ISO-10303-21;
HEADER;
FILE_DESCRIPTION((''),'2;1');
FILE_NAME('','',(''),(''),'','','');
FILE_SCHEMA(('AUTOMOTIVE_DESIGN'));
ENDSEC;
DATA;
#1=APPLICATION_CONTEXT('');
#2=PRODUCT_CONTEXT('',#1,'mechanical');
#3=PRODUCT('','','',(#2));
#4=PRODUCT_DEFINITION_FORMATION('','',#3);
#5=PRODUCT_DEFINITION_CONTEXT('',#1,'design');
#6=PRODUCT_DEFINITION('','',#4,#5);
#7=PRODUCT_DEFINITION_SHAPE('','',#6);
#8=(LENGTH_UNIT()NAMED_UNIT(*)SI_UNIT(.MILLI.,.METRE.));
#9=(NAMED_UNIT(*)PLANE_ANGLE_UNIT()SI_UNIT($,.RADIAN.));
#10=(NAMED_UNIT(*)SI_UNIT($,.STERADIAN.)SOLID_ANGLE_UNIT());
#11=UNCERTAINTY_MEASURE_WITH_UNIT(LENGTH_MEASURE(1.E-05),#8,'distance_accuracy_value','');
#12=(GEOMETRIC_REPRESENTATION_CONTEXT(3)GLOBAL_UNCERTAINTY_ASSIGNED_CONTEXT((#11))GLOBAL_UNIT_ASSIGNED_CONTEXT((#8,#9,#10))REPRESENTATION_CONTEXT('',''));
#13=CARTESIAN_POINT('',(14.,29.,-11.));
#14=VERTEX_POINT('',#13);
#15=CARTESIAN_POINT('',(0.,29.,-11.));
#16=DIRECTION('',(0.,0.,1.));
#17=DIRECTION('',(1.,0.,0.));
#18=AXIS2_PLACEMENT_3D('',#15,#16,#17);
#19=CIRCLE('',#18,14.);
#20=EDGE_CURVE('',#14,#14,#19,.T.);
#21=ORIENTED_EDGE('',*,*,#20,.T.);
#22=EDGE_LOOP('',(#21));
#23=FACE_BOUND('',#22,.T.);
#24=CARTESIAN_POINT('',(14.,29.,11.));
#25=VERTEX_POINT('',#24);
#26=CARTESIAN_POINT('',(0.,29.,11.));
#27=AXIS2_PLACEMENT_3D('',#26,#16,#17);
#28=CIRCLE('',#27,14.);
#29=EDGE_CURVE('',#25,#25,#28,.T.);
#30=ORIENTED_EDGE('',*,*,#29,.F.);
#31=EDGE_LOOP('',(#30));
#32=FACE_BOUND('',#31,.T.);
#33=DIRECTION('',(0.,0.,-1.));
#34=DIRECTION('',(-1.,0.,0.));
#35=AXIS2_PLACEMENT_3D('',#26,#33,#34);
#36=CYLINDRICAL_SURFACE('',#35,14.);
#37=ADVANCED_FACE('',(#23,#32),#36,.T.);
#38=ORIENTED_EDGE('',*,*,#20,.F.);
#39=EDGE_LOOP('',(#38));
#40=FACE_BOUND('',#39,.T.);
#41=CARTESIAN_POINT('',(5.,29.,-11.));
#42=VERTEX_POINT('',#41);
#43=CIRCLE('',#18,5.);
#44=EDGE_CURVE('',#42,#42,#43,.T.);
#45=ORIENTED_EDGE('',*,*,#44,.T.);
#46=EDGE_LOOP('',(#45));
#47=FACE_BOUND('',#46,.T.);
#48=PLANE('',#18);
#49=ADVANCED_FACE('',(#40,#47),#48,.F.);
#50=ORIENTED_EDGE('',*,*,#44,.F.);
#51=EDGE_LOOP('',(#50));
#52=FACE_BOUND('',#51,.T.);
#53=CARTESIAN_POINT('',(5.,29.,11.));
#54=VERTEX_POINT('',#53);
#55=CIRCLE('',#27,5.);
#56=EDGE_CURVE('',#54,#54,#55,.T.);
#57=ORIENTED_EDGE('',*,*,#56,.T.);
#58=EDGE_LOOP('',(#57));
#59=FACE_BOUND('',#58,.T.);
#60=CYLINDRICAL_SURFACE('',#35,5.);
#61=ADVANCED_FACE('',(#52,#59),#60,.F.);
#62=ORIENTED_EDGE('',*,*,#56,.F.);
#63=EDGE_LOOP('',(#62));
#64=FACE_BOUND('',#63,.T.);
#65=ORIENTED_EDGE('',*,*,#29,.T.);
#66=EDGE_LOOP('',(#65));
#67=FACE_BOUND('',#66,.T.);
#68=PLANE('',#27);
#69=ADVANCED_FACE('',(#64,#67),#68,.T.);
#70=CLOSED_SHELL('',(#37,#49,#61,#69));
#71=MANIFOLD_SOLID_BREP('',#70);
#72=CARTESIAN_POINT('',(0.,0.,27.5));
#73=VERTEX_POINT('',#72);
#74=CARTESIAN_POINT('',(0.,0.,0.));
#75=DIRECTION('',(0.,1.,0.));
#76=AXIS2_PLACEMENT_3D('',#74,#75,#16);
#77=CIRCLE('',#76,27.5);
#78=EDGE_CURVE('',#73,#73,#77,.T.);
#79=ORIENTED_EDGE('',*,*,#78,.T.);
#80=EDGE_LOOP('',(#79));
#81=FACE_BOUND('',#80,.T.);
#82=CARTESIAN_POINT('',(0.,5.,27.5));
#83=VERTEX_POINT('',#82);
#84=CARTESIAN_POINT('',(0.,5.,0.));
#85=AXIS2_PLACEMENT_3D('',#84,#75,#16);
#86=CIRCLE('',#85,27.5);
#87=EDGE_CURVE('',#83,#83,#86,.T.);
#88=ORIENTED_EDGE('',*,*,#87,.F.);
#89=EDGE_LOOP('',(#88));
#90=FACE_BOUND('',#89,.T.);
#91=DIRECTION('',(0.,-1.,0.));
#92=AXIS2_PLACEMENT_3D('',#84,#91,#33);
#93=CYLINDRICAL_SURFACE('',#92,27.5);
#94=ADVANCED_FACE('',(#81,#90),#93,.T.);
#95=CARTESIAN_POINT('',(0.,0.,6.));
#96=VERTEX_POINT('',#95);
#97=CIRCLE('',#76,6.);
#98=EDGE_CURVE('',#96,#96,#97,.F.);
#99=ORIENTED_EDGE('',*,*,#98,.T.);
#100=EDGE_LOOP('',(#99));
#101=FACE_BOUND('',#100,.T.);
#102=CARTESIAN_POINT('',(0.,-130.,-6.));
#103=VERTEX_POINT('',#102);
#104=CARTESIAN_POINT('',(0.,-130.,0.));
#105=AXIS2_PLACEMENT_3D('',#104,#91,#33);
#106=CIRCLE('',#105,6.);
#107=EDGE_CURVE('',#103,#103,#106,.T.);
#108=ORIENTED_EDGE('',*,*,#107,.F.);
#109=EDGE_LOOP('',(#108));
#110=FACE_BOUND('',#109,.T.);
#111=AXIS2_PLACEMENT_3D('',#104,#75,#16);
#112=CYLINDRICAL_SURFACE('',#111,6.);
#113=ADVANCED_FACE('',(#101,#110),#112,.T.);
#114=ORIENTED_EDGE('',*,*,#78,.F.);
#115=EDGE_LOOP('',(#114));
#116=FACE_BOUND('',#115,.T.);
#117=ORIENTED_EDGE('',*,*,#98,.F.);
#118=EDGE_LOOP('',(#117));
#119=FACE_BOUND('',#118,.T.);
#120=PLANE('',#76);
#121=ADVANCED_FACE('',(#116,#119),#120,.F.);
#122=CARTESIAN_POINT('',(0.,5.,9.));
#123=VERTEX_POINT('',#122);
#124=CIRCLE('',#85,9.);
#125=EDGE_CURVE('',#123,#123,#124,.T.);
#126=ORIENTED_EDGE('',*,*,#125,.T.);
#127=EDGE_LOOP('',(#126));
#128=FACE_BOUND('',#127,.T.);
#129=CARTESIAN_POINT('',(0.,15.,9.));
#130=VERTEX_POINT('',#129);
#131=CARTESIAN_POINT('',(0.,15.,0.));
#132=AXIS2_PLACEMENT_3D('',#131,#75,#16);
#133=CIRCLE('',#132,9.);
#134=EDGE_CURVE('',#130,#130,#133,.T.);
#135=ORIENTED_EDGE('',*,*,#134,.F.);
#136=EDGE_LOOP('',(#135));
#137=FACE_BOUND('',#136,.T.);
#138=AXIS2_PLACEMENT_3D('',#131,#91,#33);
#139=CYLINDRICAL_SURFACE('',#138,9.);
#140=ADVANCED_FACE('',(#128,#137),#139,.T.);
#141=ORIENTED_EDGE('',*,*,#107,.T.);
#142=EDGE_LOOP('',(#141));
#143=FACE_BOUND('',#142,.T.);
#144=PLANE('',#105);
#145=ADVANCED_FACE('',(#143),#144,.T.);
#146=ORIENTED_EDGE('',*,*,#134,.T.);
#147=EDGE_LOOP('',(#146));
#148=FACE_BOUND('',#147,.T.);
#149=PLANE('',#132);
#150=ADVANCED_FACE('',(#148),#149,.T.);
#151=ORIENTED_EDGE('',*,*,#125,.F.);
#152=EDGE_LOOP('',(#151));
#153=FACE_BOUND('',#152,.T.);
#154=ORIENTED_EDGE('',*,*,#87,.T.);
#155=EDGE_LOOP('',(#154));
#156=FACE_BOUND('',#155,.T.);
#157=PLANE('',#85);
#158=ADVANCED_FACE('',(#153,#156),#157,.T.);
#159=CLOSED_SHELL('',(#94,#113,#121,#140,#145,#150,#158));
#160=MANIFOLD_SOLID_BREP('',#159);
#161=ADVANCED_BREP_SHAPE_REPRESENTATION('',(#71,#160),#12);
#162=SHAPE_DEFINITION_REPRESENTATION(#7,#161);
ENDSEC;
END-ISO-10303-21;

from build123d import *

# Parameters (mm, degrees)
SKETCH_1_R      = 27.5
EXTRUDE_1_DEPTH = 5
SKETCH_2_R      = 9
EXTRUDE_2_DEPTH = 10
SKETCH_3_R      = 14
SKETCH_3_R_2    = 5
EXTRUDE_3_DEPTH = 11
SKETCH_4_R      = 6
EXTRUDE_4_DEPTH = 130


with BuildPart() as part:
    # Эскиз1 → Бобышка-Вытянуть1 (new body)
    with BuildSketch(Plane(origin=(0, 0, 0), x_dir=(1, 0, 0), z_dir=(0, 1, 0))):
        with Locations(Location((0, 0, 0), (0, 0, 270))):
            Circle(SKETCH_1_R)
    extrude(amount=EXTRUDE_1_DEPTH)

    # Эскиз2 → Бобышка-Вытянуть2 (add)
    with BuildSketch(Plane(origin=(0, 5, 0), x_dir=(1, 0, 0), z_dir=(0, 1, 0))):
        with Locations(Location((0, 0, 0), (0, 0, 270))):
            Circle(SKETCH_2_R)
    extrude(amount=EXTRUDE_2_DEPTH)

    # Эскиз4 → Бобышка-Вытянуть4 (add)
    with BuildSketch(Plane.XZ):
        with Locations(Location((0, 0, 0), (0, 0, 90))):
            Circle(SKETCH_4_R)
    extrude(amount=EXTRUDE_4_DEPTH)


with BuildPart() as body_2:
    # Эскиз3 → Бобышка-Вытянуть3 (new, symmetric)
    with BuildSketch(Plane.XY):
        with Locations((0, 29)):
            Circle(SKETCH_3_R)
        with Locations((0, 29)):
            Circle(SKETCH_3_R_2, mode=Mode.SUBTRACT)
    extrude(amount=EXTRUDE_3_DEPTH, both=True)


solid = Compound([part.part, body_2.part])
